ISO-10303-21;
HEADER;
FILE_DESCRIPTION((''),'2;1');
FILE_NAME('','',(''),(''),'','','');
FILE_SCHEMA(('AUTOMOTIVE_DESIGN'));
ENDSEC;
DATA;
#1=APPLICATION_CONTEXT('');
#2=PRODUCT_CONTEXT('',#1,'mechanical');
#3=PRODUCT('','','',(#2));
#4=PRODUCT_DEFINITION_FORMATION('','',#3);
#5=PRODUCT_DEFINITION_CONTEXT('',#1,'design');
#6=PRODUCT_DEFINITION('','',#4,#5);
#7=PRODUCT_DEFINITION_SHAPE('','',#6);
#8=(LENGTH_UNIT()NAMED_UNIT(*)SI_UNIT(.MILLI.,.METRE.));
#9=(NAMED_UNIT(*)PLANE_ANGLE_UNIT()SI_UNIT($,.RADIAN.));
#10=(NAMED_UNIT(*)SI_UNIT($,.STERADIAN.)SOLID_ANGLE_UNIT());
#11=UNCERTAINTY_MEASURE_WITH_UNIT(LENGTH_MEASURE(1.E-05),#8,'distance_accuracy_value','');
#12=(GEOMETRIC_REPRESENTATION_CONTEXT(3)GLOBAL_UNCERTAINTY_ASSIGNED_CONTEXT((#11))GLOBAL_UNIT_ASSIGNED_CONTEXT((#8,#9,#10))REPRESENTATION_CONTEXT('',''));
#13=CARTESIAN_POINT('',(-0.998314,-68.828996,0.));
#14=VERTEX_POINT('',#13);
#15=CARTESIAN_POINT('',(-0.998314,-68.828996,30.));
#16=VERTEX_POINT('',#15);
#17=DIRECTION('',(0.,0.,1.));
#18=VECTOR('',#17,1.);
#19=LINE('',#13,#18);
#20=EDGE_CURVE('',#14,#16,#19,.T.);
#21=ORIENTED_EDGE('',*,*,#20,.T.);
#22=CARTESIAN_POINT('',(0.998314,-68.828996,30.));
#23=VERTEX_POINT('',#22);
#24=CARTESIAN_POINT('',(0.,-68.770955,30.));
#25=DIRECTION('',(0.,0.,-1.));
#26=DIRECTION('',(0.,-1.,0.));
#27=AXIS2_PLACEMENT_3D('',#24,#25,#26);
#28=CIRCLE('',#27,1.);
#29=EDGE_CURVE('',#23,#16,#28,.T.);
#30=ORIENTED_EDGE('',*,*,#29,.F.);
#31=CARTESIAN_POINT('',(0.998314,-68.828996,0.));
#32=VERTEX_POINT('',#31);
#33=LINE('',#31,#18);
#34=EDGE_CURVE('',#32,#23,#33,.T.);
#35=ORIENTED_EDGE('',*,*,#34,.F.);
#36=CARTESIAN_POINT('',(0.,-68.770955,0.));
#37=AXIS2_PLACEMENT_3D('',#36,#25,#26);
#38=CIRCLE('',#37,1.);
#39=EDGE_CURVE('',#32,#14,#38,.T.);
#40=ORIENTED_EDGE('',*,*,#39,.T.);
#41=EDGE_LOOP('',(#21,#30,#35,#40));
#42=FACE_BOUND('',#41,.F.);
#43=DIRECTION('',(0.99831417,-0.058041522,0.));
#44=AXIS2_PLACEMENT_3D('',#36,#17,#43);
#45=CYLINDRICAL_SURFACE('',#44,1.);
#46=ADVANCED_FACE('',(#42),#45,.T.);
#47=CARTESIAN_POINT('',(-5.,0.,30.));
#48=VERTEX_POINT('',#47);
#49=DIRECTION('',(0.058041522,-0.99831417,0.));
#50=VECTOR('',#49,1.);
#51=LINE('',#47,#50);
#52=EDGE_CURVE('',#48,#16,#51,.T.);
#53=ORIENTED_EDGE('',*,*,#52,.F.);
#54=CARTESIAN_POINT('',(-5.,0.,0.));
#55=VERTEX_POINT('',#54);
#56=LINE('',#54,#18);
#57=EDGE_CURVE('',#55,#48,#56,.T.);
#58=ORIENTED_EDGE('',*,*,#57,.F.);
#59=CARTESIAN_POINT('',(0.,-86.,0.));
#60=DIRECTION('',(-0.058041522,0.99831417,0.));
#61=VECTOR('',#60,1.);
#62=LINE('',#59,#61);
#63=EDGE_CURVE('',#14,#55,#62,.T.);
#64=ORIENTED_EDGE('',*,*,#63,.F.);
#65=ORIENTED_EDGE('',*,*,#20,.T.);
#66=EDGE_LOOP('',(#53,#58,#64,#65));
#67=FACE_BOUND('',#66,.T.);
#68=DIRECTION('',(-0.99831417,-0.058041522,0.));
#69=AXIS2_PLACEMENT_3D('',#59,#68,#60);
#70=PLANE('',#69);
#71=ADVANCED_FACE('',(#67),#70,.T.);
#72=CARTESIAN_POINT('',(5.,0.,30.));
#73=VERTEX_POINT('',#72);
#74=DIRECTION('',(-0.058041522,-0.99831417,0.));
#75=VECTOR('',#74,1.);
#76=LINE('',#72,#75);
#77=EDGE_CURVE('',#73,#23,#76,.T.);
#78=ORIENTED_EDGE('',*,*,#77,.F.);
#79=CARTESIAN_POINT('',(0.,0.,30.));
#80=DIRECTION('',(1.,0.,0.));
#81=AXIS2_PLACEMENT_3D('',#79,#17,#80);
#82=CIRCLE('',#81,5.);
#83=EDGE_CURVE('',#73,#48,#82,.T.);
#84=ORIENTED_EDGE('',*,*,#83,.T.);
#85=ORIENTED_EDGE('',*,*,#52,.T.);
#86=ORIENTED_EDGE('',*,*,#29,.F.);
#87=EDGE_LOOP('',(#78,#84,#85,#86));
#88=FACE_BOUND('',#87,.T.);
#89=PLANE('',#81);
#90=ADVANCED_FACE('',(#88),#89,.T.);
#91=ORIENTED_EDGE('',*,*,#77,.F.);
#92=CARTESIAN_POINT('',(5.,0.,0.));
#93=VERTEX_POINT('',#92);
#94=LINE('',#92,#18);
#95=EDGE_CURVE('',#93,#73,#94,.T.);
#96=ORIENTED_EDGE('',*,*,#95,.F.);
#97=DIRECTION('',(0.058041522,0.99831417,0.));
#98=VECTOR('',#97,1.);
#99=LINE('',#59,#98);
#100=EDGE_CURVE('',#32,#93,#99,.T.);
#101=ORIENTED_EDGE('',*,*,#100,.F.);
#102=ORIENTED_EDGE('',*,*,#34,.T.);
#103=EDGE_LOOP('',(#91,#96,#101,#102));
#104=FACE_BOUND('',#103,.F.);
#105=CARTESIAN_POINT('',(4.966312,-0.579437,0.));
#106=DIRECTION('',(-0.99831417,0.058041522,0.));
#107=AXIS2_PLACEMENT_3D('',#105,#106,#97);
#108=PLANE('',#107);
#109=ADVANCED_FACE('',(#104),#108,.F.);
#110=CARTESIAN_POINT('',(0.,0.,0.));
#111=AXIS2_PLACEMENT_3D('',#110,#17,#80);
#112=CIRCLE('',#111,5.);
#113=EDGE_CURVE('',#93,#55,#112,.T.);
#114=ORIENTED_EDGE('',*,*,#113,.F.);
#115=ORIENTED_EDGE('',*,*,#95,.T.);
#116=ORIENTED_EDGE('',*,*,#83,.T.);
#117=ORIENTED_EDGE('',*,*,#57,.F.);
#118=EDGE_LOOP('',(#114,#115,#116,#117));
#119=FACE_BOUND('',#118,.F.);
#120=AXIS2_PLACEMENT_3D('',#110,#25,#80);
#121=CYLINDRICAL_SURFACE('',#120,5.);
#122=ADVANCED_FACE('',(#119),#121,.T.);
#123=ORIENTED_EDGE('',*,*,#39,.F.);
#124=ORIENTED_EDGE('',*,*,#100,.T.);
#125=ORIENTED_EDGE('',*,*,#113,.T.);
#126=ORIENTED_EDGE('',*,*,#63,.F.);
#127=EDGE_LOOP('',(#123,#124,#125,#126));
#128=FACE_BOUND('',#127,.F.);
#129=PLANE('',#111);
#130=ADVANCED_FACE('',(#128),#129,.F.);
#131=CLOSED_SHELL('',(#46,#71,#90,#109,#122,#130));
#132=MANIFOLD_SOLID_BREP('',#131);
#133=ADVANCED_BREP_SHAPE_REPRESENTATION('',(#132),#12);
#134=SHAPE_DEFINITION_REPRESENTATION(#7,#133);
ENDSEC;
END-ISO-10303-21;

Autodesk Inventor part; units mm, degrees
ref_plane "YZ Plane" through (0, 0, 0) normal (1, 0, 0) x (0, 1, 0)
ref_plane "XZ Plane" through (0, 0, 0) normal (0, 1, 0) x (-1, 0, 0)
ref_plane "XY Plane" through (0, 0, 0) normal (0, 0, 1) x (1, 0, 0)
sketch "Эскиз1" plane through (0, 0, 0) normal (0, 0, 1) x (1, 0, 0)
  circle A0 centre (0, 0) radius 5
  line L0 (0, 0) -> (0, -86)
  line L1 (0, -86) -> (-5, 0)
  line L2 (0, -86) -> (5, 0)
  dimension "d0" = 10
  dimension "d1" = 86
extrude "Выдавливание1" add sketch "Эскиз1" along normal blind 30 contours L2 A0 L1 | L2 L0 A0 | A0 L0 L1
fillet "Сопряжение1" radius 1 1 edges at (0, -86, 15)
sketch "Эскиз2" plane through (0, 0, 0) normal (1, 0, 0) x (0, 1, 0)
  line L0 (-68.829, 30) -> (0, 30) projected
  line L1 (5, 30) -> (0, 30) projected
  line L2 (5, 30) -> (64.7655, 70.3123)
  point P0 (0, 0)
  dimension "d5" = 146
properties part number "дворник 25-26"
